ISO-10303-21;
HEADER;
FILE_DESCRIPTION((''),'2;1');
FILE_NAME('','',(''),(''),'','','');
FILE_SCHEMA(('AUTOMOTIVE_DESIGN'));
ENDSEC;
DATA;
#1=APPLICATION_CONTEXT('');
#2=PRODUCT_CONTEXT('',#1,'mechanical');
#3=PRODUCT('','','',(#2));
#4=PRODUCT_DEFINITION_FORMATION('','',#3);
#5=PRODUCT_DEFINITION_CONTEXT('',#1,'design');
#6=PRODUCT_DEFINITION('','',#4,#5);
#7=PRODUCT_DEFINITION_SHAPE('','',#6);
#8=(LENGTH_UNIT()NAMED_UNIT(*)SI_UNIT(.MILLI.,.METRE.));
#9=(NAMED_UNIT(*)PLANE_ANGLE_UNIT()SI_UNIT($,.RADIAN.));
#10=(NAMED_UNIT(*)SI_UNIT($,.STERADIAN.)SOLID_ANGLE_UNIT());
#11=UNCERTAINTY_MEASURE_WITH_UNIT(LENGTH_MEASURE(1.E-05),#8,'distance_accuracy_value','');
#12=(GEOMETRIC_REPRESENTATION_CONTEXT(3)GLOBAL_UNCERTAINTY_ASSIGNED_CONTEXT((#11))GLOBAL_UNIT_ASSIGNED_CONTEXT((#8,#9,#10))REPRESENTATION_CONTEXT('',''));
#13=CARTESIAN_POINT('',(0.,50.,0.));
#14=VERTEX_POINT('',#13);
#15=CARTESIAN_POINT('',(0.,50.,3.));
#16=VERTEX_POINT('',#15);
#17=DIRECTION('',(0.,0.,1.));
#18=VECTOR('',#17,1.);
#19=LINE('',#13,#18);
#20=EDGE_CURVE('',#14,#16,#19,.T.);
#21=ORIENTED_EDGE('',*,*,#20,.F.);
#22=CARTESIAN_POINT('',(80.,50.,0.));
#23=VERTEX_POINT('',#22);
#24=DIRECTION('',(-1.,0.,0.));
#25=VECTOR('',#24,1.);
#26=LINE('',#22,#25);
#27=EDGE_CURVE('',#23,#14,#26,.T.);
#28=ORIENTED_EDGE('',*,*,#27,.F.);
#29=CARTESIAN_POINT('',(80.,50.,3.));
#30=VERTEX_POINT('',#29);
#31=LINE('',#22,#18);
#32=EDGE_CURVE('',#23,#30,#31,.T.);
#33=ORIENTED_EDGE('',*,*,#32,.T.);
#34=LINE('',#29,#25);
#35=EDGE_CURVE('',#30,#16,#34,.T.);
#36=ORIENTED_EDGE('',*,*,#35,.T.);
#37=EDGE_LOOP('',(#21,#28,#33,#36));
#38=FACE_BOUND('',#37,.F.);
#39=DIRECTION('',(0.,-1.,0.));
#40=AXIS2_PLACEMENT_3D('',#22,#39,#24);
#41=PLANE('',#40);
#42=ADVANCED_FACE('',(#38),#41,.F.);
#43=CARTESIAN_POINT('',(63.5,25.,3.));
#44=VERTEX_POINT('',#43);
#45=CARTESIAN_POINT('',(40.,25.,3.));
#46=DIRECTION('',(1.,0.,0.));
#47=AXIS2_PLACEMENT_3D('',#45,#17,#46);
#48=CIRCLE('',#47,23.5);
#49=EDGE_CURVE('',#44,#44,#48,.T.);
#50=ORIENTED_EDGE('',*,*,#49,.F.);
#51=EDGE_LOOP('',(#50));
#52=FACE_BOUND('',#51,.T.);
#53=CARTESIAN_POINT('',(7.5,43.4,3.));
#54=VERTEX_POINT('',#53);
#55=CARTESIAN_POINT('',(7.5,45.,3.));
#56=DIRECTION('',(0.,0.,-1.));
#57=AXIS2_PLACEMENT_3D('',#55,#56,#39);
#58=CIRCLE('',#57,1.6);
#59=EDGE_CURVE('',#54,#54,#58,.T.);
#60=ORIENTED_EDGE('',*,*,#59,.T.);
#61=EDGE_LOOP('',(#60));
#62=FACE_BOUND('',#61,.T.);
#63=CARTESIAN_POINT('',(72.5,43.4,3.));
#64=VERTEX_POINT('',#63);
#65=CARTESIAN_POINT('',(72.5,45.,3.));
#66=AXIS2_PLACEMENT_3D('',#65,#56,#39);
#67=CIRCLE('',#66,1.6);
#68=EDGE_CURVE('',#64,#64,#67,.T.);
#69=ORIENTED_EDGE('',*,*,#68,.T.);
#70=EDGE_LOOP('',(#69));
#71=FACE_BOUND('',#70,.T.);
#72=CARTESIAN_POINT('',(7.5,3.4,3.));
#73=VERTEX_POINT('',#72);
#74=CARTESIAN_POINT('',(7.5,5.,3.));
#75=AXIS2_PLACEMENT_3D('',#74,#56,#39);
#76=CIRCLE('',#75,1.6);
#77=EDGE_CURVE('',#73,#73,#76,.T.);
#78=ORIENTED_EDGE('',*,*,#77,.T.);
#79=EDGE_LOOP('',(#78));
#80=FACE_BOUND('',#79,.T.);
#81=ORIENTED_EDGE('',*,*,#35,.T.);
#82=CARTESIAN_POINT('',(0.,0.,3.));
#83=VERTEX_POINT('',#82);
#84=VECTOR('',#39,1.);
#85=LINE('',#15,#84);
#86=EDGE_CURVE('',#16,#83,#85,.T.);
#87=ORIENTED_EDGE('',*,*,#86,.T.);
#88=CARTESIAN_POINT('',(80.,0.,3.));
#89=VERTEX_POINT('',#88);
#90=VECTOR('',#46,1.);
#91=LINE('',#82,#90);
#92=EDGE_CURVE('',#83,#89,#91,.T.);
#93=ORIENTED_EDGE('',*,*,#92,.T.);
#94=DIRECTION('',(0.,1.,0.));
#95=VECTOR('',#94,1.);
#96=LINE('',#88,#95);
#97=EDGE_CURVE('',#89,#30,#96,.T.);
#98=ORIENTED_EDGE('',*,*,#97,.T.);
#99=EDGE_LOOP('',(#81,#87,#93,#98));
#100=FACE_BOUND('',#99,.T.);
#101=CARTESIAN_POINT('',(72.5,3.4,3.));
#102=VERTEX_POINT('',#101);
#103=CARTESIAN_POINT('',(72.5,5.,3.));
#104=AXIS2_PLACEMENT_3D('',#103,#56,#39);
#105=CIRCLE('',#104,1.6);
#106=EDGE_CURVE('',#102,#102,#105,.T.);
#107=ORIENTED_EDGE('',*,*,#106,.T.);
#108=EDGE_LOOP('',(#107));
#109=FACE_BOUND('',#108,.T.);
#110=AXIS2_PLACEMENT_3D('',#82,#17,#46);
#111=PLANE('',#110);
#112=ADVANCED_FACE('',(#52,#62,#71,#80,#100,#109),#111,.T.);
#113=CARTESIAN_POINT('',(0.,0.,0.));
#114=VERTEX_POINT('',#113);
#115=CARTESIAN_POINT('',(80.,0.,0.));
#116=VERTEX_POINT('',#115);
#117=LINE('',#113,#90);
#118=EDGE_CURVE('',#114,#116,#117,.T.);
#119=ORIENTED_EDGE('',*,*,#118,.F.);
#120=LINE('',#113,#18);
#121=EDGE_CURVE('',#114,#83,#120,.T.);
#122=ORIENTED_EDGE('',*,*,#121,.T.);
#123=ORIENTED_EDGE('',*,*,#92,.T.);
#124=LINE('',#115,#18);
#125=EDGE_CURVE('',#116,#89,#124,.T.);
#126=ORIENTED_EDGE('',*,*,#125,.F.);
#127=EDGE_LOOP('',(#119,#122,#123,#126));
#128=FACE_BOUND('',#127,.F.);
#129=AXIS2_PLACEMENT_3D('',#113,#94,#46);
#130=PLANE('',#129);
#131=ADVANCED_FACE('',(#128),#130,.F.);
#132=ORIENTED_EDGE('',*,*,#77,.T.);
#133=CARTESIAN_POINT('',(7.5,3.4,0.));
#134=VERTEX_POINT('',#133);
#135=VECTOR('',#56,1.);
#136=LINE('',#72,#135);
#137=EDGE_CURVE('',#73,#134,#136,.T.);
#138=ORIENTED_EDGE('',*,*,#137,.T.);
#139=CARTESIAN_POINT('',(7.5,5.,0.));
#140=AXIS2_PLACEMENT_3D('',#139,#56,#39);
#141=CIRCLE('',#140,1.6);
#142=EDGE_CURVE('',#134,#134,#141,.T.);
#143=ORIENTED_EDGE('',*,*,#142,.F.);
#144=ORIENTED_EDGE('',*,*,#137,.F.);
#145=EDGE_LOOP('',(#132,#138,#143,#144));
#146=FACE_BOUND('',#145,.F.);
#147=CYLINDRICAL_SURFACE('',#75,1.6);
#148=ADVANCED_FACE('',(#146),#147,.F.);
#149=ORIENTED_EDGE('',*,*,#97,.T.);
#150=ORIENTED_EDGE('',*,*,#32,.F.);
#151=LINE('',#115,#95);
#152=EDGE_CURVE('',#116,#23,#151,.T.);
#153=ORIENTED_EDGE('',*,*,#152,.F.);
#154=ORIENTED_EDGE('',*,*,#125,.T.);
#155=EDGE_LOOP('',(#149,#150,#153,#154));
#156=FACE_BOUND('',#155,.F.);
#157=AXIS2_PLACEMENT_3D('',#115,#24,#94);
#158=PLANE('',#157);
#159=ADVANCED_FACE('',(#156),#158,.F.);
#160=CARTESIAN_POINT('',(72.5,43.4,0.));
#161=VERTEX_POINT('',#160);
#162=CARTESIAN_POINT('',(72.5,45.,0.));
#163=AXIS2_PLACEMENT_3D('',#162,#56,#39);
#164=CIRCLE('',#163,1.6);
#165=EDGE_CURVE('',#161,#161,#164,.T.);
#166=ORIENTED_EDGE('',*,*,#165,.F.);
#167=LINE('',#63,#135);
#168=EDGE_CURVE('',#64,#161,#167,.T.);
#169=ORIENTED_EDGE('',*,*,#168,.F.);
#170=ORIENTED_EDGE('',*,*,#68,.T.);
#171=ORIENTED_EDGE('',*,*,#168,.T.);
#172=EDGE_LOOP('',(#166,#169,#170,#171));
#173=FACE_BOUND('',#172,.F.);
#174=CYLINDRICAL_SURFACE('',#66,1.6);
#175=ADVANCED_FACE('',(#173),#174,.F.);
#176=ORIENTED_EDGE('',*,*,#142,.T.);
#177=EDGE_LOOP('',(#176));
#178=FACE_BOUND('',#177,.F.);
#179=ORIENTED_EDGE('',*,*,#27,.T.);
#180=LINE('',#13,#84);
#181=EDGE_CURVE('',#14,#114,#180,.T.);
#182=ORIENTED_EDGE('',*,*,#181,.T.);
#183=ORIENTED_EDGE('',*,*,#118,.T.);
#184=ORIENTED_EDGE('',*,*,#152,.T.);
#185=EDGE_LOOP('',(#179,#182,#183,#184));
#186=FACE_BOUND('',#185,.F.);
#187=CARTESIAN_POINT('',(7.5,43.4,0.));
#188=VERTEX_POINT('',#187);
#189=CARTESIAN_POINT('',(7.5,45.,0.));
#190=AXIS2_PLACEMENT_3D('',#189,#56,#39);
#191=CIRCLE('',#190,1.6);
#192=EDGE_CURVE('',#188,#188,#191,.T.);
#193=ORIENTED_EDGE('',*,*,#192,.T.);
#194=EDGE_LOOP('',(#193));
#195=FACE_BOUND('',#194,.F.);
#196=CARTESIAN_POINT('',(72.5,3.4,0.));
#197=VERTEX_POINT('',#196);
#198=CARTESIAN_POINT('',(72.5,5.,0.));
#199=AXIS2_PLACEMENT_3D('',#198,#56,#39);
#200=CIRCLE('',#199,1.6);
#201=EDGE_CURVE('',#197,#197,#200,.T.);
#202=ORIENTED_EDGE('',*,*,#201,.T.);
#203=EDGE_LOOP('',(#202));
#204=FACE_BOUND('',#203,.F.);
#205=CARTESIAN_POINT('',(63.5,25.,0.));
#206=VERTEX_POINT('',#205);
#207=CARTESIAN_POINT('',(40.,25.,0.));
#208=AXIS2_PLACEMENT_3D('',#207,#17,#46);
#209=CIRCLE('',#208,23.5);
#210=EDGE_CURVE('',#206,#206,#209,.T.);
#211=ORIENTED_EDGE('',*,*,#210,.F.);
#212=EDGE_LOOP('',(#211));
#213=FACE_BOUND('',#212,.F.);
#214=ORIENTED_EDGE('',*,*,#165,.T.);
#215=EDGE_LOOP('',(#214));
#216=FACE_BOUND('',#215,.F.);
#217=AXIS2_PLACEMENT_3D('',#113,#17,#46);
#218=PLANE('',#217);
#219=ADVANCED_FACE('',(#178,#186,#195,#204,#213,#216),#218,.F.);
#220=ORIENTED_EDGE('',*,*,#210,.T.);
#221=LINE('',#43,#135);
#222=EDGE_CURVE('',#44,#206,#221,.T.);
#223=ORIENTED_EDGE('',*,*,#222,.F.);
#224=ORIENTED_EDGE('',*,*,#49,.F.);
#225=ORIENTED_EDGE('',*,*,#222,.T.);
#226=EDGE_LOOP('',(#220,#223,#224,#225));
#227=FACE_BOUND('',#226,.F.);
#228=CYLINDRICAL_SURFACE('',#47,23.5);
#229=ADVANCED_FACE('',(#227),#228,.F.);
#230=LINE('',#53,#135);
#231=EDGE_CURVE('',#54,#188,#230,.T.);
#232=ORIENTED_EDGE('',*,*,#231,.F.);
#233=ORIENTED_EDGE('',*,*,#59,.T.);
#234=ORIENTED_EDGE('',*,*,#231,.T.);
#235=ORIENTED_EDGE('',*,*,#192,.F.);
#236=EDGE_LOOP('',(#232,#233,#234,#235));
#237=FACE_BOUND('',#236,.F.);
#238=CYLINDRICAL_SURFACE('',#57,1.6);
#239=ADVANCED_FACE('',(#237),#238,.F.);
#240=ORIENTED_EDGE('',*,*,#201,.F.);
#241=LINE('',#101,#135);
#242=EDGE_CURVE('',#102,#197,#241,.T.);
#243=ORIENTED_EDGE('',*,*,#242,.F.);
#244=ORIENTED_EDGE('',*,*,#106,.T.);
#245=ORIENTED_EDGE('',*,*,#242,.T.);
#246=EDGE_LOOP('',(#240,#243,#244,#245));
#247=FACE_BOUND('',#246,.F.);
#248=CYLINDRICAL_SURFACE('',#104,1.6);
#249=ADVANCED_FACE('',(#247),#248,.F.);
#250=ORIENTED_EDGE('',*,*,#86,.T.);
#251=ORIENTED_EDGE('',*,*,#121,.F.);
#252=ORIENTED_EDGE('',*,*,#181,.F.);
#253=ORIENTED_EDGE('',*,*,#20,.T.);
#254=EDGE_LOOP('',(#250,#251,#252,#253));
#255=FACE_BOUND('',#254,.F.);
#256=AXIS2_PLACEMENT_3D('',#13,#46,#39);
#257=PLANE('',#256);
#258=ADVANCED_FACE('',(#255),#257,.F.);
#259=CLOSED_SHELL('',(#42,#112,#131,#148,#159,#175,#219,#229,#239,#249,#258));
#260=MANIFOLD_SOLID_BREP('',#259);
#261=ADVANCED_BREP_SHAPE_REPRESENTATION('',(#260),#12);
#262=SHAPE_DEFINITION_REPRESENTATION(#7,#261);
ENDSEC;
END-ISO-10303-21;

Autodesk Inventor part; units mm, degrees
ref_plane "YZ Plane" through (0, 0, 0) normal (1, 0, 0) x (0, 1, 0)
ref_plane "XZ Plane" through (0, 0, 0) normal (0, 1, 0) x (-1, 0, 0)
ref_plane "XY Plane" through (0, 0, 0) normal (0, 0, 1) x (1, 0, 0)
sketch "スケッチ1" plane through (0, 0, 0) normal (0, 0, 1) x (1, 0, 0)
  line L0 (0, 0) -> (80, 0)
  line L1 (80, 0) -> (80, 50)
  line L2 (80, 50) -> (0, 50)
  line L3 (0, 50) -> (0, 0)
  dimension "d0" = 80
  dimension "d1" = 50
extrude "押し出し1" add sketch "スケッチ1" along normal blind 3
sketch "スケッチ2" plane through (0, 0, 3) normal (0, 0, 1) x (1, 0, 0)
  circle A0 centre (40, 25) radius 23.5
  line L0 (0, 0) -> (80, 0) projected
  line L1 (0, 50) -> (0, 0) projected
  dimension "d4" = 47
  dimension "d5" = 25
  dimension "d6" = 40
extrude "押し出し2" cut sketch "スケッチ2" against normal blind 3
sketch "スケッチ3" plane through (0, 0, 3) normal (0, 0, 1) x (1, 0, 0)
  circle A0 centre (7.5, 45) radius 1.6
  line L0 (0, 50) -> (0, 0) projected
  line L1 (80, 50) -> (0, 50) projected
  circle A1 centre (7.5, 5) radius 1.6
  line L2 (0, 0) -> (80, 0) projected
  circle A2 centre (72.5, 45) radius 1.6
  line L3 (80, 0) -> (80, 50) projected
  circle A3 centre (72.5, 5) radius 1.6
  dimension "d9" = 3.2
  dimension "d10" = 7.5
  dimension "d11" = 5
  dimension "d12" = 3.2
  dimension "d13" = 5
  dimension "d14" = 3.2
  dimension "d15" = 7.5
  dimension "d16" = 5
  dimension "d17" = 3.2
  dimension "d18" = 5
  dimension "d19" = 7.5
  dimension "d20" = 7.5
hole "穴1" at (7.5, 45, 3) at (7.5, 5, 3) at (72.5, 45, 3) at (72.5, 5, 3) direction (0, 0, -1) diameter 3.2 depth 3
sketch "スケッチ4" plane through (0, 0, 3) normal (0, 0, 1) x (1, 0, 0)
  point P0 (0, 0)
equation "\"BendRadius\" = Thickness"
equation "\"BendReliefWidth\" = Thickness"
equation "\"BendReliefDepth\" = 0.5 * Thickness"
equation "\"CornerReliefSize\" = 4 * Thickness"
equation "\"MinimumRemnant\" = 2 * Thickness"
equation "\"TransitionRadius\" = BendRadius"
equation "\"JacobiRadiusSize\" = BendRadius"
equation "\"GapSize\" = Thickness"
equation "\"Thickness\" = 0.5"
properties part number "nhk31"
